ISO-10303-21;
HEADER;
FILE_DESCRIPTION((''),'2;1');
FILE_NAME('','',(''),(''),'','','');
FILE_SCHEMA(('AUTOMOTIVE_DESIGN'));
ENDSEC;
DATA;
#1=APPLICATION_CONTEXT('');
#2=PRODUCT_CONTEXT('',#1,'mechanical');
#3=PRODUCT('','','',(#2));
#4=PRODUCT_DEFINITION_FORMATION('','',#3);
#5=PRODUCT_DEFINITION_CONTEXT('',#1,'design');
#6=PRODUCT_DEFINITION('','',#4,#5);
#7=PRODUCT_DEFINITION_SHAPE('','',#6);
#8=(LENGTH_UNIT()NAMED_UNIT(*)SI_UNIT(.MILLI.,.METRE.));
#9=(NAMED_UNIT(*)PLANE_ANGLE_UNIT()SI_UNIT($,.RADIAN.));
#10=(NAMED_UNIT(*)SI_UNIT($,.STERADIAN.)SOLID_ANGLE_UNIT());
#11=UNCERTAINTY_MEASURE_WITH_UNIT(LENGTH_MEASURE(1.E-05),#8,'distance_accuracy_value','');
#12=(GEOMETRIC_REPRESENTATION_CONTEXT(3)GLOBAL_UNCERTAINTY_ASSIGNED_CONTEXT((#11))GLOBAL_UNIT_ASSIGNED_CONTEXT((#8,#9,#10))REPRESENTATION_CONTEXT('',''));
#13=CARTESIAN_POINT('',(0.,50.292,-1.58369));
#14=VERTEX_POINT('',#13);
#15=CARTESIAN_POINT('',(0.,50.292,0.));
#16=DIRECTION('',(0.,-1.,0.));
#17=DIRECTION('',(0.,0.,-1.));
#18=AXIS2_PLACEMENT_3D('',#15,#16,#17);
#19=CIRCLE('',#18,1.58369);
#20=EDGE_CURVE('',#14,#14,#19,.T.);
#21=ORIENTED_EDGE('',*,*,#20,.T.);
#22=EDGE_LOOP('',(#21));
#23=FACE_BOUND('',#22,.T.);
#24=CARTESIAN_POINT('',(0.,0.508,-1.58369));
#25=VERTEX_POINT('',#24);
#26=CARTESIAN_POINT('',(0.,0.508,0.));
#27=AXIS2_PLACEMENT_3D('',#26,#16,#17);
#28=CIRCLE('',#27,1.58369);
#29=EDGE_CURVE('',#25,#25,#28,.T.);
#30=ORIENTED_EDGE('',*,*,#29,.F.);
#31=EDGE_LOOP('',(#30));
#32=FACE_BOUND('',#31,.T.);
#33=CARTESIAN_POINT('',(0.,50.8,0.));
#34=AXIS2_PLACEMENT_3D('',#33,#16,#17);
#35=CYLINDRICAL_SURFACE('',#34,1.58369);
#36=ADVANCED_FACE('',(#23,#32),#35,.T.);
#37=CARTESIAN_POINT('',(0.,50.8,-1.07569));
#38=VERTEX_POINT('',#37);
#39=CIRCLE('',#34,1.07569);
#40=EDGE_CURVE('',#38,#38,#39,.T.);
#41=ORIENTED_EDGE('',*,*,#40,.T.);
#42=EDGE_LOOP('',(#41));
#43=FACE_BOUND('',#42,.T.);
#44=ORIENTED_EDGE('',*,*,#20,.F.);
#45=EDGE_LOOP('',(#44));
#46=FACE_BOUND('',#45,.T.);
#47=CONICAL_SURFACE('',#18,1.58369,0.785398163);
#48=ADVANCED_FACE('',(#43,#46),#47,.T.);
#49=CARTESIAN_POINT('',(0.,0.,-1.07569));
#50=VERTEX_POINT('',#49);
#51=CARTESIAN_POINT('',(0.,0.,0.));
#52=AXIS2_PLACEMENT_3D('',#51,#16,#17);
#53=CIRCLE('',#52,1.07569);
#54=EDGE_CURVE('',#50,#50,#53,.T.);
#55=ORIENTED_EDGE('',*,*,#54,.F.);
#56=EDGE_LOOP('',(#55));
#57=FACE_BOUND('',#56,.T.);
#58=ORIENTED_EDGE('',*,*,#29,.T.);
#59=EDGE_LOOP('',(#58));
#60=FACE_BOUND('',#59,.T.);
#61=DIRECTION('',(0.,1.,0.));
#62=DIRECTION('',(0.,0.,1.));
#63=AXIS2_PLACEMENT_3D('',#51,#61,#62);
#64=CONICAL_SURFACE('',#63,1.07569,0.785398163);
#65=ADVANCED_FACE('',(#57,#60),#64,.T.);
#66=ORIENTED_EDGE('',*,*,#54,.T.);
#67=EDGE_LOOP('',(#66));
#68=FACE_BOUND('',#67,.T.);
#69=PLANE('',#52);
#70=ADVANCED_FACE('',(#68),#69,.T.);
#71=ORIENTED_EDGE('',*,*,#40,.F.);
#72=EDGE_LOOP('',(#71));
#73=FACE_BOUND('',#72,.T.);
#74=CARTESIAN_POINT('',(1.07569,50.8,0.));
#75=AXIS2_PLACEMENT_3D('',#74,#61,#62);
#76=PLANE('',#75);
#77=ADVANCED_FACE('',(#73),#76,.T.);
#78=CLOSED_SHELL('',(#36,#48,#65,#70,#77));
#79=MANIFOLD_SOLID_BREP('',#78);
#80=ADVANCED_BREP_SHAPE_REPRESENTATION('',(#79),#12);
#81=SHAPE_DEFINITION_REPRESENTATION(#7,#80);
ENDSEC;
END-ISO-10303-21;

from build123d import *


with BuildPart() as part:
    # Sketch1 → Revolve1 (revolve)
    with BuildSketch(Plane.XY):
        Polygon((1.07569, 50.8), (0, 50.8), (0, 0), (1.07569, 0), (1.58369, 0.508), (1.58369, 50.292), align=None)
    revolve(axis=Axis((0, 50.8, 0), (0, -1, 0)))


solid = part.part
